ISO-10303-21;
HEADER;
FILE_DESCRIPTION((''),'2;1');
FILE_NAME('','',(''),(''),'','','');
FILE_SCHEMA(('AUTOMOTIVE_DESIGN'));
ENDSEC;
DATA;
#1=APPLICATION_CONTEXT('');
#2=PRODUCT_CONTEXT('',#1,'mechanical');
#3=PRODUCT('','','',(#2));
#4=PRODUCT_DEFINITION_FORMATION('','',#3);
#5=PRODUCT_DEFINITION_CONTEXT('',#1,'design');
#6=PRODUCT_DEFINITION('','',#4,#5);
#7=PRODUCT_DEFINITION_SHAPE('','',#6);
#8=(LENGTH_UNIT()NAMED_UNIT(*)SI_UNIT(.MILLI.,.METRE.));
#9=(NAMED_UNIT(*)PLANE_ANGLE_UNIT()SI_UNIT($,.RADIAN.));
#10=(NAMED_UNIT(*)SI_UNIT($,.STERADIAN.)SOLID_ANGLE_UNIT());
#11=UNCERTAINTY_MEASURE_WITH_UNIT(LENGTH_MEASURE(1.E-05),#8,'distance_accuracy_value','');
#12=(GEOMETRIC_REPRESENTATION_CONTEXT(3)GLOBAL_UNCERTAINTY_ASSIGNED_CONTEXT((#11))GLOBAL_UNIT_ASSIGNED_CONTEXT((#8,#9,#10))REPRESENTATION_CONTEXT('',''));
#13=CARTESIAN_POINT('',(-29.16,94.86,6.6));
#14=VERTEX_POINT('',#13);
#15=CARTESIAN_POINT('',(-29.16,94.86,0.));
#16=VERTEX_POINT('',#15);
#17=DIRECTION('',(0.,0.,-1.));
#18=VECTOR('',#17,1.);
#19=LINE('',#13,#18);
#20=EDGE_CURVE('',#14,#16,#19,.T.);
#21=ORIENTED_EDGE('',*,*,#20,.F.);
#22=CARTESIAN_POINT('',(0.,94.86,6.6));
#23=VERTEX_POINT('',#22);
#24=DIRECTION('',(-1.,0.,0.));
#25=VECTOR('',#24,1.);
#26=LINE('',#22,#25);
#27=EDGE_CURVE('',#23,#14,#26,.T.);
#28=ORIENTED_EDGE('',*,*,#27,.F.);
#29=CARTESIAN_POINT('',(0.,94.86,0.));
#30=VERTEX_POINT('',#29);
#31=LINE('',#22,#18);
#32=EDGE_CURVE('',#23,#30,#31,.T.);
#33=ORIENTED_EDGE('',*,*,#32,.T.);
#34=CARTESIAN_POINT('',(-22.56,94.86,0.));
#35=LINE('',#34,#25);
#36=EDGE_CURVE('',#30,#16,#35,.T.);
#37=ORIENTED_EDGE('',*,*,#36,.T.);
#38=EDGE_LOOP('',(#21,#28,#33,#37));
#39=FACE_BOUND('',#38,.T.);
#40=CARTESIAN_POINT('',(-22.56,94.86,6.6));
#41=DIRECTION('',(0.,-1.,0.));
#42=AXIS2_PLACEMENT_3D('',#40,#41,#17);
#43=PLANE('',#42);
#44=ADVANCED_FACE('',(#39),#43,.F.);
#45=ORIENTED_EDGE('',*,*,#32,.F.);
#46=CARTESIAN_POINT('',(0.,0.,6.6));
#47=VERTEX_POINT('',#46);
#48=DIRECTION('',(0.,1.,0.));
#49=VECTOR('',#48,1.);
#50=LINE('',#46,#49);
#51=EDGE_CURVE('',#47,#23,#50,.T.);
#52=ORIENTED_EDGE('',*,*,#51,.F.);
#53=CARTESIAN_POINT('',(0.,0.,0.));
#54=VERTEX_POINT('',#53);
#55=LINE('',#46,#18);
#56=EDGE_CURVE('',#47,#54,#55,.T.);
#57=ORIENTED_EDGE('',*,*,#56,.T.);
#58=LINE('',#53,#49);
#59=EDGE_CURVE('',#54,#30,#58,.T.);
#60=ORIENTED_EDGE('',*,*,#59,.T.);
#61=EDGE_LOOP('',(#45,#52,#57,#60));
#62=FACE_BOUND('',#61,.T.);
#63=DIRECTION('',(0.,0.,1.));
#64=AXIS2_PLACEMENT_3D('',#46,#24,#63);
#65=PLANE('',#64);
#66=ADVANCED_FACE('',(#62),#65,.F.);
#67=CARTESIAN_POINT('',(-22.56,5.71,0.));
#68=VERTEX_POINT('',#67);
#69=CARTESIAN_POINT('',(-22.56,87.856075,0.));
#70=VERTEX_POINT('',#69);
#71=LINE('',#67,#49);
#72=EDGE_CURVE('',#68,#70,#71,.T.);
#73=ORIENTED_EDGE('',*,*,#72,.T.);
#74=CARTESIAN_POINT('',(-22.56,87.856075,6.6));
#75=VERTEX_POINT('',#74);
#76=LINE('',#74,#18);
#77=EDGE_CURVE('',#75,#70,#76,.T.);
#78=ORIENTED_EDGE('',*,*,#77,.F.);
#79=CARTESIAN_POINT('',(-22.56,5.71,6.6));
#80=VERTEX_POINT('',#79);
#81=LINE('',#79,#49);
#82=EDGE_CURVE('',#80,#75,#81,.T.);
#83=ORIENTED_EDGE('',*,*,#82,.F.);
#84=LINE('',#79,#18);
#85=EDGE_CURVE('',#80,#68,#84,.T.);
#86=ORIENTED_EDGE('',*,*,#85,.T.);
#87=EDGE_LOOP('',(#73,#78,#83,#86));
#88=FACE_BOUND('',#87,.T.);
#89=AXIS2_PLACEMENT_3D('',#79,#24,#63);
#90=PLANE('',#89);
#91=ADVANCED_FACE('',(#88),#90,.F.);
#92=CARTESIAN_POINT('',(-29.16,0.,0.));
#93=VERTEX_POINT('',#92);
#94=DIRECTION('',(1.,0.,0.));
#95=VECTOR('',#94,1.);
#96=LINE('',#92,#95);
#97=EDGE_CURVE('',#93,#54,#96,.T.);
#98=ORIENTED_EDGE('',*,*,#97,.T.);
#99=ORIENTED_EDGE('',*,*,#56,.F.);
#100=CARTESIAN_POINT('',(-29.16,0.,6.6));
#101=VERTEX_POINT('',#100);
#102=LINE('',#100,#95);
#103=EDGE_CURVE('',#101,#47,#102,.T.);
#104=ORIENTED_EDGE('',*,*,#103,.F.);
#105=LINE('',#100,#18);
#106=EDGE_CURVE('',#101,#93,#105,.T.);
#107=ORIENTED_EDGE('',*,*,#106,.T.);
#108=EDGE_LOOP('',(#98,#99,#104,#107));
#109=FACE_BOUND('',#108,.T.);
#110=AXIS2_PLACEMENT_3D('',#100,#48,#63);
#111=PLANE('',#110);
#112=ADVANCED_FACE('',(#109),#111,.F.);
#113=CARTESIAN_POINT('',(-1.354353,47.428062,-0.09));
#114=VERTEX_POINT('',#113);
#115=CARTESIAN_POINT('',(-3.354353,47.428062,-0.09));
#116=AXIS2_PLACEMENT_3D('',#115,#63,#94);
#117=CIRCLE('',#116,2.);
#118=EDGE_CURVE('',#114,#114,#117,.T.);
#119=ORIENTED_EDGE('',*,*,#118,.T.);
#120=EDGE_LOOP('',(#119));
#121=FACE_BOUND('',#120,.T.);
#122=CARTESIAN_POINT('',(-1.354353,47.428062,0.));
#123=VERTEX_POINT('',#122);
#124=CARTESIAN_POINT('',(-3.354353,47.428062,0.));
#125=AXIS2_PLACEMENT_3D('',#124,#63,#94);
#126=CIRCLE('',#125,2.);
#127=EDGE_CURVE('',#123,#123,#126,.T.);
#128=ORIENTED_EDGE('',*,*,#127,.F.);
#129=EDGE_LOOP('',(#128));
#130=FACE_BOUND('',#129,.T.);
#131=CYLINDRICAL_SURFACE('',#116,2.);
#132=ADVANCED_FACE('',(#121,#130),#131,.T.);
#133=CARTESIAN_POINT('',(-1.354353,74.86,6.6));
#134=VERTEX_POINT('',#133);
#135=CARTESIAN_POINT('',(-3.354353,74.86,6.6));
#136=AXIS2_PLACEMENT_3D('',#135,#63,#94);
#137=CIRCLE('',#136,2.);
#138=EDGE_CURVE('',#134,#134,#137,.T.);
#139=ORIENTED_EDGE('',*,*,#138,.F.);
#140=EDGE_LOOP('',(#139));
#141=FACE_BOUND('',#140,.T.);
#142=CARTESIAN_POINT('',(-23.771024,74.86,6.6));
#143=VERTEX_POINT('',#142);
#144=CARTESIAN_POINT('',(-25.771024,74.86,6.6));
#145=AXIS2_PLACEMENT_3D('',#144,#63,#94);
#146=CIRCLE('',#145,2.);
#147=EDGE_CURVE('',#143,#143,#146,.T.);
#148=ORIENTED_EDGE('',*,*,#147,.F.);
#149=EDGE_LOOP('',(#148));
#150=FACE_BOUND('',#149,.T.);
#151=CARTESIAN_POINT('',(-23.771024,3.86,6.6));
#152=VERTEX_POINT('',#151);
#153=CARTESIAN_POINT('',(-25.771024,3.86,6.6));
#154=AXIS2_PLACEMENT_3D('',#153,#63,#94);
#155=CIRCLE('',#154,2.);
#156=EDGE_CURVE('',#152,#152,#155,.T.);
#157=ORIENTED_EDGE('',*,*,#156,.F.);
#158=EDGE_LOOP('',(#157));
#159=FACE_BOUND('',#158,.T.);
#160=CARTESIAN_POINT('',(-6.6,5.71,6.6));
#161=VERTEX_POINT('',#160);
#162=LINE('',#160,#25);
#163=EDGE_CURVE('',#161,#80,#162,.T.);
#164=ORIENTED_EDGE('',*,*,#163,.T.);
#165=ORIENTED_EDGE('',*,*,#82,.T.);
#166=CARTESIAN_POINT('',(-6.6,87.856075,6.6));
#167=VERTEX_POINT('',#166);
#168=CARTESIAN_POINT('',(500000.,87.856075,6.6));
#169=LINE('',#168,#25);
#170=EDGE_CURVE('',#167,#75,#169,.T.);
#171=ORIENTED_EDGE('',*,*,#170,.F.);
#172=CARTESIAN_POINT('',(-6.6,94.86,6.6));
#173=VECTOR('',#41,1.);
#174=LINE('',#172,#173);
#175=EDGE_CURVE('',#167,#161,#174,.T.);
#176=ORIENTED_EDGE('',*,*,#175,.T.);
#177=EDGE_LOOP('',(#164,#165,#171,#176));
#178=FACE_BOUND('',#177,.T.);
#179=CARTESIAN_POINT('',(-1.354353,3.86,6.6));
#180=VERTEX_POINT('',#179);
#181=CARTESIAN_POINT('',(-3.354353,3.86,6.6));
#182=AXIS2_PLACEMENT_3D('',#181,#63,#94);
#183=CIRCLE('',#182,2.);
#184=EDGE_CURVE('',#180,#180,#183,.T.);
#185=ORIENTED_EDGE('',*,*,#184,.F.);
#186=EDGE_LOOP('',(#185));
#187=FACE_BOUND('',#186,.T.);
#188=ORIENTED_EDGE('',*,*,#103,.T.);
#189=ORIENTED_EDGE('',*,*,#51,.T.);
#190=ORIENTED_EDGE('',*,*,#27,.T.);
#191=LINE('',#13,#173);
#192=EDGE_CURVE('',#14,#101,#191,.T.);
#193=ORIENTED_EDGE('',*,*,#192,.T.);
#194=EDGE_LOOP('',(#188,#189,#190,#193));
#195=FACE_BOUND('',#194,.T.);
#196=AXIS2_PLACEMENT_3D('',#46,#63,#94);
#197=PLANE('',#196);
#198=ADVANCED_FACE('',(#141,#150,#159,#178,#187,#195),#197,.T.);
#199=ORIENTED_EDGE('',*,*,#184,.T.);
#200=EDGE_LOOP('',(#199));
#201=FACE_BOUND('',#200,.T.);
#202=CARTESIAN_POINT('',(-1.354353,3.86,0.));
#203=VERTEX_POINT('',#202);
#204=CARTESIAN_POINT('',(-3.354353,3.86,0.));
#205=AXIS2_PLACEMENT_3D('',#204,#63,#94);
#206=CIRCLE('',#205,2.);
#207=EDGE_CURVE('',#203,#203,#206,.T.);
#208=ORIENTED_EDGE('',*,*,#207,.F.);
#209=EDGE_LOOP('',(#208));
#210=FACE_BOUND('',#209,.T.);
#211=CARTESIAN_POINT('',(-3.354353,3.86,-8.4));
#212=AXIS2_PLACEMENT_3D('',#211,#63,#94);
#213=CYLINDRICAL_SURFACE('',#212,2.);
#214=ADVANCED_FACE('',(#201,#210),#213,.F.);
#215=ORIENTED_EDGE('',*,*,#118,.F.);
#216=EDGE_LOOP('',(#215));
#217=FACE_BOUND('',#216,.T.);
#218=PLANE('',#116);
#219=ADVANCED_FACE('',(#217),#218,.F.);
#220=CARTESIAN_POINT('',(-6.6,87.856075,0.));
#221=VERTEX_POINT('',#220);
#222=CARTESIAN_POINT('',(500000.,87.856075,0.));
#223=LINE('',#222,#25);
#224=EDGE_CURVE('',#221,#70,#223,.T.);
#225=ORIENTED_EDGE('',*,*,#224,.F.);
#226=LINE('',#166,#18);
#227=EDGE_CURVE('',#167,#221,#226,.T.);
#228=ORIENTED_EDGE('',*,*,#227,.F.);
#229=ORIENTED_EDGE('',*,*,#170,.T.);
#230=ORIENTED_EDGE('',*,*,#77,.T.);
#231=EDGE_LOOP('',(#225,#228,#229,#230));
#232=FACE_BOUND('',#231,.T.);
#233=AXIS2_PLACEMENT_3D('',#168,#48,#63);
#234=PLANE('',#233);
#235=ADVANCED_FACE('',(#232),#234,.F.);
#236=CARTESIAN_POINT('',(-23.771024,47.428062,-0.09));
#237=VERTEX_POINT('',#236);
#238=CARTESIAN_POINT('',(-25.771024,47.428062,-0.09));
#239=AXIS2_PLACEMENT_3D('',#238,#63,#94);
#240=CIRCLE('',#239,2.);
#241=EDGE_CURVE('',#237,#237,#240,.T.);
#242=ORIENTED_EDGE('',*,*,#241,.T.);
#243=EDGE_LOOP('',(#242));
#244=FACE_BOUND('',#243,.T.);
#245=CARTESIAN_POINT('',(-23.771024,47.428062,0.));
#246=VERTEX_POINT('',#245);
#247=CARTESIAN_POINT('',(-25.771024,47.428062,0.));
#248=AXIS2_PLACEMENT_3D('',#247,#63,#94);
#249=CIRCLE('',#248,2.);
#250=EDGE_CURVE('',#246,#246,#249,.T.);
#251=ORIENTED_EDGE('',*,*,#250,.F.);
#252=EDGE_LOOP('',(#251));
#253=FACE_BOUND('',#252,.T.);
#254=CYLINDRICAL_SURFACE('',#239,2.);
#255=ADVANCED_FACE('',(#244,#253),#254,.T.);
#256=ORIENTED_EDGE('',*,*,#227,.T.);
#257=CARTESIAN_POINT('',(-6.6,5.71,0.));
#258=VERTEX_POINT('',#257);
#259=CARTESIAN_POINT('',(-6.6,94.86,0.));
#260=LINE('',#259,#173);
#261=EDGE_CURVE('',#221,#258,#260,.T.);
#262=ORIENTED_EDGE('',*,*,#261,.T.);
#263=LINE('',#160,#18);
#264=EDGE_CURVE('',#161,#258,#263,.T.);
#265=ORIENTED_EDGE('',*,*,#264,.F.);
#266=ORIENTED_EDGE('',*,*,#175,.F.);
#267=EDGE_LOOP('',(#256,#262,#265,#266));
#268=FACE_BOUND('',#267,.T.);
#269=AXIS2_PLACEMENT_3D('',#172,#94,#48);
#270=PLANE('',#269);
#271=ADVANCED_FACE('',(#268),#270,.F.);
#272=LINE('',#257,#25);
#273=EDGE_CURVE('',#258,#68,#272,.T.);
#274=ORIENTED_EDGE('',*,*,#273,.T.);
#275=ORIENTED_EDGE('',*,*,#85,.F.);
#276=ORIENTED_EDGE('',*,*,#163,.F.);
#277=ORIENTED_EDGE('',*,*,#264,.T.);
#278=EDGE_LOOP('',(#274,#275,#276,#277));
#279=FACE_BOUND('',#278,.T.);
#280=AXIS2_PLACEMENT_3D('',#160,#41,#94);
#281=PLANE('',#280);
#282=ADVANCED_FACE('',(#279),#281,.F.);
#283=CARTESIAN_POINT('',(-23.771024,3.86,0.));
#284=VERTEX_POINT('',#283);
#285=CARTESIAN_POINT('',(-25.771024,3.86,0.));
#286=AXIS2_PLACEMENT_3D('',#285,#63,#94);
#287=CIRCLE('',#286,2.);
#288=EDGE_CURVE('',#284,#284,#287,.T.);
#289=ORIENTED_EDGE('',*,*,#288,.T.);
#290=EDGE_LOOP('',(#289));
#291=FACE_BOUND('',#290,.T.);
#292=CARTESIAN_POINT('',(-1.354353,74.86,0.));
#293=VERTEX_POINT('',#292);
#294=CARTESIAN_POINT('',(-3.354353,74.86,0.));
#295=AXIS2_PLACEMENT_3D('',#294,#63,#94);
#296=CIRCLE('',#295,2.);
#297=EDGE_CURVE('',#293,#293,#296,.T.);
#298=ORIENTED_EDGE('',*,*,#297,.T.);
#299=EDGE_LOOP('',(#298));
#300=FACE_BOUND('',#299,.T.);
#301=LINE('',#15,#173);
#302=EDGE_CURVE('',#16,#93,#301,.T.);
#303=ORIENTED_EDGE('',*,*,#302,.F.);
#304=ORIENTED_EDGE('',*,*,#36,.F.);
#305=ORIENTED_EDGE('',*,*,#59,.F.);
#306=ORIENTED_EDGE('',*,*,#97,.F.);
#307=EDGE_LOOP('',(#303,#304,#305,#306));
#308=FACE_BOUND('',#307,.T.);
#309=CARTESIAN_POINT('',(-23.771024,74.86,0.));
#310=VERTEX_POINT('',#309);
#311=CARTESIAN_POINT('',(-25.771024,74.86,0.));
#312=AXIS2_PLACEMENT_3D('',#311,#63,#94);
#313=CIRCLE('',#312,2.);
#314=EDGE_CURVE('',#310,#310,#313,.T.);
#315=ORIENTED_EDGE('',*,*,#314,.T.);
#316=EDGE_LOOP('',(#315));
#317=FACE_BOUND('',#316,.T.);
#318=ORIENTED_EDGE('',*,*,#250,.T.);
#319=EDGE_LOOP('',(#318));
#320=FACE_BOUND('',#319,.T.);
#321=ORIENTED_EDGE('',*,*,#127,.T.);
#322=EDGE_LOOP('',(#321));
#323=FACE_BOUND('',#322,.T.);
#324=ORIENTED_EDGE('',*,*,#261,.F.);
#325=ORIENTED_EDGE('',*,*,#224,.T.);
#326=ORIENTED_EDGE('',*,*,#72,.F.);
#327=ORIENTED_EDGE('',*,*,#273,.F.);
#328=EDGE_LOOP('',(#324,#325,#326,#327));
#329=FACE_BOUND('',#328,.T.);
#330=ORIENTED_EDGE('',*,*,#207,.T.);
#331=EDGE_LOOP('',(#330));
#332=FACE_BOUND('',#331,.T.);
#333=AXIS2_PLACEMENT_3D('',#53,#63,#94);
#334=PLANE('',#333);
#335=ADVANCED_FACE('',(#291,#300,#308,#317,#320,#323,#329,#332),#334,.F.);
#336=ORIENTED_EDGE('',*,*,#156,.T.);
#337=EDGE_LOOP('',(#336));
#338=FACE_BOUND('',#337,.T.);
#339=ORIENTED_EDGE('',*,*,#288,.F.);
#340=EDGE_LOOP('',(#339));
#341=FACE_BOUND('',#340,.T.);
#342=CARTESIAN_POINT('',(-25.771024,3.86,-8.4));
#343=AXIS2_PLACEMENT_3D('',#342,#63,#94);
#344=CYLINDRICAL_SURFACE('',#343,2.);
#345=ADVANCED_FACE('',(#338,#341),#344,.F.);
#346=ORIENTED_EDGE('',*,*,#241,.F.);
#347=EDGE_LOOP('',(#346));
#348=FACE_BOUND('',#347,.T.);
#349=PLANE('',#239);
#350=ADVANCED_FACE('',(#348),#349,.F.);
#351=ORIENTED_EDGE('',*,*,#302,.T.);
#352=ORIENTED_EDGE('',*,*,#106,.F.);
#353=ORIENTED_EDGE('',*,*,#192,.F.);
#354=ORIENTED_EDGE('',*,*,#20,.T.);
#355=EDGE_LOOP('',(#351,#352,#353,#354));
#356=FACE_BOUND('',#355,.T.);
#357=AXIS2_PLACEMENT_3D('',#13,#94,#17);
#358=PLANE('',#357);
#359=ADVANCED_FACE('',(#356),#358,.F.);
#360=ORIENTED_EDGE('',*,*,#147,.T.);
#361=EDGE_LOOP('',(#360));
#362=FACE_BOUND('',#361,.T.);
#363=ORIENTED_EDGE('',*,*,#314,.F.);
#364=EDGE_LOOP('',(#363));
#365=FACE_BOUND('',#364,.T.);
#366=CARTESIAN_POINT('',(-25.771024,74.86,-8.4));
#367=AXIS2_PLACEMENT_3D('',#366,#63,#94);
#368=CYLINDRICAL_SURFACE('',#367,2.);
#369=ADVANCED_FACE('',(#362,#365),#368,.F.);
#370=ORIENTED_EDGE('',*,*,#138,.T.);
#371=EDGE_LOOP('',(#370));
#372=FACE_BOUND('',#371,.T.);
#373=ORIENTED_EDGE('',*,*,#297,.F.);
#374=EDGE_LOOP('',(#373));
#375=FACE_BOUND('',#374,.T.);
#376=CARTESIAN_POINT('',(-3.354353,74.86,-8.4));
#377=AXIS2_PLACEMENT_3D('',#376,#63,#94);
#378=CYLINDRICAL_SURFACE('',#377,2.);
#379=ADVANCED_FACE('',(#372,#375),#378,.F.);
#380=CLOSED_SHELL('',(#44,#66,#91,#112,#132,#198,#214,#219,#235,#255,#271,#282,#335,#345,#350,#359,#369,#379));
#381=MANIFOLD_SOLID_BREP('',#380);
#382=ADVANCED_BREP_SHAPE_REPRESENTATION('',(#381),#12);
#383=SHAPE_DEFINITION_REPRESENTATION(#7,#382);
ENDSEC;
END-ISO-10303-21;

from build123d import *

# Parameters (mm, degrees)
BOSS_EXTRUDE1_DEPTH = 6.6
BOSS_EXTRUDE2_REACH = 24.56
SKETCH3_W           = 6.6
SKETCH3_H           = 7.003924561
SKETCH4_R           = 2
CUT_EXTRUDE1_DEPTH  = 15
SKETCH5_R           = 2
BOSS_EXTRUDE3_DEPTH = 6.69


with BuildPart() as part:
    # Sketch2 → Boss-Extrude1 (new body)
    with BuildSketch(Plane.XY):
        Polygon((0, 0), (0, 94.86), (-6.6, 94.86), (-6.6, 5.71), (-22.56, 5.71), (-22.56, 94.86), (-29.16, 94.86), (-29.16, 0), align=None)
    extrude(amount=BOSS_EXTRUDE1_DEPTH)

    # Sketch3 → Boss-Extrude2 (add, up to next)
    with BuildSketch(Plane(origin=(-22.56, 0, 0), x_dir=(0, 0, -1), z_dir=(1, 0, 0)), mode=Mode.PRIVATE) as boss_extrude2_sk1:
        with Locations((-3.3, 91.35803772)):
            Rectangle(SKETCH3_W, SKETCH3_H)
    boss_extrude2_tool1 = extrude(boss_extrude2_sk1.sketch, amount=BOSS_EXTRUDE2_REACH, mode=Mode.PRIVATE) - part.part
    add(boss_extrude2_tool1.solids().sort_by_distance((-22.56, 91.358038, 3.3))[0])

    # Sketch4 → Cut-Extrude1 (cut)
    with BuildSketch(Plane.XY.offset(6.6)):
        with Locations((-3.354353393, 47.428062363)):
            Circle(SKETCH4_R)
        with Locations((-25.771024386, 47.428062363)):
            Circle(SKETCH4_R)
        with Locations((-25.771024386, 3.86)):
            Circle(SKETCH4_R)
        with Locations((-3.354353393, 3.86)):
            Circle(SKETCH4_R)
        with Locations((-25.771024386, 74.86)):
            Circle(SKETCH4_R)
        with Locations((-3.354353393, 74.86)):
            Circle(SKETCH4_R)
    extrude(amount=-CUT_EXTRUDE1_DEPTH, mode=Mode.SUBTRACT)

    # Sketch5 → Boss-Extrude3 (add)
    with BuildSketch(Plane.XY.offset(6.6)):
        with Locations((-25.771024386, 47.428062363)):
            Circle(SKETCH5_R)
        with Locations((-3.354353393, 47.428062363)):
            Circle(SKETCH5_R)
    extrude(amount=-BOSS_EXTRUDE3_DEPTH)


solid = part.part
